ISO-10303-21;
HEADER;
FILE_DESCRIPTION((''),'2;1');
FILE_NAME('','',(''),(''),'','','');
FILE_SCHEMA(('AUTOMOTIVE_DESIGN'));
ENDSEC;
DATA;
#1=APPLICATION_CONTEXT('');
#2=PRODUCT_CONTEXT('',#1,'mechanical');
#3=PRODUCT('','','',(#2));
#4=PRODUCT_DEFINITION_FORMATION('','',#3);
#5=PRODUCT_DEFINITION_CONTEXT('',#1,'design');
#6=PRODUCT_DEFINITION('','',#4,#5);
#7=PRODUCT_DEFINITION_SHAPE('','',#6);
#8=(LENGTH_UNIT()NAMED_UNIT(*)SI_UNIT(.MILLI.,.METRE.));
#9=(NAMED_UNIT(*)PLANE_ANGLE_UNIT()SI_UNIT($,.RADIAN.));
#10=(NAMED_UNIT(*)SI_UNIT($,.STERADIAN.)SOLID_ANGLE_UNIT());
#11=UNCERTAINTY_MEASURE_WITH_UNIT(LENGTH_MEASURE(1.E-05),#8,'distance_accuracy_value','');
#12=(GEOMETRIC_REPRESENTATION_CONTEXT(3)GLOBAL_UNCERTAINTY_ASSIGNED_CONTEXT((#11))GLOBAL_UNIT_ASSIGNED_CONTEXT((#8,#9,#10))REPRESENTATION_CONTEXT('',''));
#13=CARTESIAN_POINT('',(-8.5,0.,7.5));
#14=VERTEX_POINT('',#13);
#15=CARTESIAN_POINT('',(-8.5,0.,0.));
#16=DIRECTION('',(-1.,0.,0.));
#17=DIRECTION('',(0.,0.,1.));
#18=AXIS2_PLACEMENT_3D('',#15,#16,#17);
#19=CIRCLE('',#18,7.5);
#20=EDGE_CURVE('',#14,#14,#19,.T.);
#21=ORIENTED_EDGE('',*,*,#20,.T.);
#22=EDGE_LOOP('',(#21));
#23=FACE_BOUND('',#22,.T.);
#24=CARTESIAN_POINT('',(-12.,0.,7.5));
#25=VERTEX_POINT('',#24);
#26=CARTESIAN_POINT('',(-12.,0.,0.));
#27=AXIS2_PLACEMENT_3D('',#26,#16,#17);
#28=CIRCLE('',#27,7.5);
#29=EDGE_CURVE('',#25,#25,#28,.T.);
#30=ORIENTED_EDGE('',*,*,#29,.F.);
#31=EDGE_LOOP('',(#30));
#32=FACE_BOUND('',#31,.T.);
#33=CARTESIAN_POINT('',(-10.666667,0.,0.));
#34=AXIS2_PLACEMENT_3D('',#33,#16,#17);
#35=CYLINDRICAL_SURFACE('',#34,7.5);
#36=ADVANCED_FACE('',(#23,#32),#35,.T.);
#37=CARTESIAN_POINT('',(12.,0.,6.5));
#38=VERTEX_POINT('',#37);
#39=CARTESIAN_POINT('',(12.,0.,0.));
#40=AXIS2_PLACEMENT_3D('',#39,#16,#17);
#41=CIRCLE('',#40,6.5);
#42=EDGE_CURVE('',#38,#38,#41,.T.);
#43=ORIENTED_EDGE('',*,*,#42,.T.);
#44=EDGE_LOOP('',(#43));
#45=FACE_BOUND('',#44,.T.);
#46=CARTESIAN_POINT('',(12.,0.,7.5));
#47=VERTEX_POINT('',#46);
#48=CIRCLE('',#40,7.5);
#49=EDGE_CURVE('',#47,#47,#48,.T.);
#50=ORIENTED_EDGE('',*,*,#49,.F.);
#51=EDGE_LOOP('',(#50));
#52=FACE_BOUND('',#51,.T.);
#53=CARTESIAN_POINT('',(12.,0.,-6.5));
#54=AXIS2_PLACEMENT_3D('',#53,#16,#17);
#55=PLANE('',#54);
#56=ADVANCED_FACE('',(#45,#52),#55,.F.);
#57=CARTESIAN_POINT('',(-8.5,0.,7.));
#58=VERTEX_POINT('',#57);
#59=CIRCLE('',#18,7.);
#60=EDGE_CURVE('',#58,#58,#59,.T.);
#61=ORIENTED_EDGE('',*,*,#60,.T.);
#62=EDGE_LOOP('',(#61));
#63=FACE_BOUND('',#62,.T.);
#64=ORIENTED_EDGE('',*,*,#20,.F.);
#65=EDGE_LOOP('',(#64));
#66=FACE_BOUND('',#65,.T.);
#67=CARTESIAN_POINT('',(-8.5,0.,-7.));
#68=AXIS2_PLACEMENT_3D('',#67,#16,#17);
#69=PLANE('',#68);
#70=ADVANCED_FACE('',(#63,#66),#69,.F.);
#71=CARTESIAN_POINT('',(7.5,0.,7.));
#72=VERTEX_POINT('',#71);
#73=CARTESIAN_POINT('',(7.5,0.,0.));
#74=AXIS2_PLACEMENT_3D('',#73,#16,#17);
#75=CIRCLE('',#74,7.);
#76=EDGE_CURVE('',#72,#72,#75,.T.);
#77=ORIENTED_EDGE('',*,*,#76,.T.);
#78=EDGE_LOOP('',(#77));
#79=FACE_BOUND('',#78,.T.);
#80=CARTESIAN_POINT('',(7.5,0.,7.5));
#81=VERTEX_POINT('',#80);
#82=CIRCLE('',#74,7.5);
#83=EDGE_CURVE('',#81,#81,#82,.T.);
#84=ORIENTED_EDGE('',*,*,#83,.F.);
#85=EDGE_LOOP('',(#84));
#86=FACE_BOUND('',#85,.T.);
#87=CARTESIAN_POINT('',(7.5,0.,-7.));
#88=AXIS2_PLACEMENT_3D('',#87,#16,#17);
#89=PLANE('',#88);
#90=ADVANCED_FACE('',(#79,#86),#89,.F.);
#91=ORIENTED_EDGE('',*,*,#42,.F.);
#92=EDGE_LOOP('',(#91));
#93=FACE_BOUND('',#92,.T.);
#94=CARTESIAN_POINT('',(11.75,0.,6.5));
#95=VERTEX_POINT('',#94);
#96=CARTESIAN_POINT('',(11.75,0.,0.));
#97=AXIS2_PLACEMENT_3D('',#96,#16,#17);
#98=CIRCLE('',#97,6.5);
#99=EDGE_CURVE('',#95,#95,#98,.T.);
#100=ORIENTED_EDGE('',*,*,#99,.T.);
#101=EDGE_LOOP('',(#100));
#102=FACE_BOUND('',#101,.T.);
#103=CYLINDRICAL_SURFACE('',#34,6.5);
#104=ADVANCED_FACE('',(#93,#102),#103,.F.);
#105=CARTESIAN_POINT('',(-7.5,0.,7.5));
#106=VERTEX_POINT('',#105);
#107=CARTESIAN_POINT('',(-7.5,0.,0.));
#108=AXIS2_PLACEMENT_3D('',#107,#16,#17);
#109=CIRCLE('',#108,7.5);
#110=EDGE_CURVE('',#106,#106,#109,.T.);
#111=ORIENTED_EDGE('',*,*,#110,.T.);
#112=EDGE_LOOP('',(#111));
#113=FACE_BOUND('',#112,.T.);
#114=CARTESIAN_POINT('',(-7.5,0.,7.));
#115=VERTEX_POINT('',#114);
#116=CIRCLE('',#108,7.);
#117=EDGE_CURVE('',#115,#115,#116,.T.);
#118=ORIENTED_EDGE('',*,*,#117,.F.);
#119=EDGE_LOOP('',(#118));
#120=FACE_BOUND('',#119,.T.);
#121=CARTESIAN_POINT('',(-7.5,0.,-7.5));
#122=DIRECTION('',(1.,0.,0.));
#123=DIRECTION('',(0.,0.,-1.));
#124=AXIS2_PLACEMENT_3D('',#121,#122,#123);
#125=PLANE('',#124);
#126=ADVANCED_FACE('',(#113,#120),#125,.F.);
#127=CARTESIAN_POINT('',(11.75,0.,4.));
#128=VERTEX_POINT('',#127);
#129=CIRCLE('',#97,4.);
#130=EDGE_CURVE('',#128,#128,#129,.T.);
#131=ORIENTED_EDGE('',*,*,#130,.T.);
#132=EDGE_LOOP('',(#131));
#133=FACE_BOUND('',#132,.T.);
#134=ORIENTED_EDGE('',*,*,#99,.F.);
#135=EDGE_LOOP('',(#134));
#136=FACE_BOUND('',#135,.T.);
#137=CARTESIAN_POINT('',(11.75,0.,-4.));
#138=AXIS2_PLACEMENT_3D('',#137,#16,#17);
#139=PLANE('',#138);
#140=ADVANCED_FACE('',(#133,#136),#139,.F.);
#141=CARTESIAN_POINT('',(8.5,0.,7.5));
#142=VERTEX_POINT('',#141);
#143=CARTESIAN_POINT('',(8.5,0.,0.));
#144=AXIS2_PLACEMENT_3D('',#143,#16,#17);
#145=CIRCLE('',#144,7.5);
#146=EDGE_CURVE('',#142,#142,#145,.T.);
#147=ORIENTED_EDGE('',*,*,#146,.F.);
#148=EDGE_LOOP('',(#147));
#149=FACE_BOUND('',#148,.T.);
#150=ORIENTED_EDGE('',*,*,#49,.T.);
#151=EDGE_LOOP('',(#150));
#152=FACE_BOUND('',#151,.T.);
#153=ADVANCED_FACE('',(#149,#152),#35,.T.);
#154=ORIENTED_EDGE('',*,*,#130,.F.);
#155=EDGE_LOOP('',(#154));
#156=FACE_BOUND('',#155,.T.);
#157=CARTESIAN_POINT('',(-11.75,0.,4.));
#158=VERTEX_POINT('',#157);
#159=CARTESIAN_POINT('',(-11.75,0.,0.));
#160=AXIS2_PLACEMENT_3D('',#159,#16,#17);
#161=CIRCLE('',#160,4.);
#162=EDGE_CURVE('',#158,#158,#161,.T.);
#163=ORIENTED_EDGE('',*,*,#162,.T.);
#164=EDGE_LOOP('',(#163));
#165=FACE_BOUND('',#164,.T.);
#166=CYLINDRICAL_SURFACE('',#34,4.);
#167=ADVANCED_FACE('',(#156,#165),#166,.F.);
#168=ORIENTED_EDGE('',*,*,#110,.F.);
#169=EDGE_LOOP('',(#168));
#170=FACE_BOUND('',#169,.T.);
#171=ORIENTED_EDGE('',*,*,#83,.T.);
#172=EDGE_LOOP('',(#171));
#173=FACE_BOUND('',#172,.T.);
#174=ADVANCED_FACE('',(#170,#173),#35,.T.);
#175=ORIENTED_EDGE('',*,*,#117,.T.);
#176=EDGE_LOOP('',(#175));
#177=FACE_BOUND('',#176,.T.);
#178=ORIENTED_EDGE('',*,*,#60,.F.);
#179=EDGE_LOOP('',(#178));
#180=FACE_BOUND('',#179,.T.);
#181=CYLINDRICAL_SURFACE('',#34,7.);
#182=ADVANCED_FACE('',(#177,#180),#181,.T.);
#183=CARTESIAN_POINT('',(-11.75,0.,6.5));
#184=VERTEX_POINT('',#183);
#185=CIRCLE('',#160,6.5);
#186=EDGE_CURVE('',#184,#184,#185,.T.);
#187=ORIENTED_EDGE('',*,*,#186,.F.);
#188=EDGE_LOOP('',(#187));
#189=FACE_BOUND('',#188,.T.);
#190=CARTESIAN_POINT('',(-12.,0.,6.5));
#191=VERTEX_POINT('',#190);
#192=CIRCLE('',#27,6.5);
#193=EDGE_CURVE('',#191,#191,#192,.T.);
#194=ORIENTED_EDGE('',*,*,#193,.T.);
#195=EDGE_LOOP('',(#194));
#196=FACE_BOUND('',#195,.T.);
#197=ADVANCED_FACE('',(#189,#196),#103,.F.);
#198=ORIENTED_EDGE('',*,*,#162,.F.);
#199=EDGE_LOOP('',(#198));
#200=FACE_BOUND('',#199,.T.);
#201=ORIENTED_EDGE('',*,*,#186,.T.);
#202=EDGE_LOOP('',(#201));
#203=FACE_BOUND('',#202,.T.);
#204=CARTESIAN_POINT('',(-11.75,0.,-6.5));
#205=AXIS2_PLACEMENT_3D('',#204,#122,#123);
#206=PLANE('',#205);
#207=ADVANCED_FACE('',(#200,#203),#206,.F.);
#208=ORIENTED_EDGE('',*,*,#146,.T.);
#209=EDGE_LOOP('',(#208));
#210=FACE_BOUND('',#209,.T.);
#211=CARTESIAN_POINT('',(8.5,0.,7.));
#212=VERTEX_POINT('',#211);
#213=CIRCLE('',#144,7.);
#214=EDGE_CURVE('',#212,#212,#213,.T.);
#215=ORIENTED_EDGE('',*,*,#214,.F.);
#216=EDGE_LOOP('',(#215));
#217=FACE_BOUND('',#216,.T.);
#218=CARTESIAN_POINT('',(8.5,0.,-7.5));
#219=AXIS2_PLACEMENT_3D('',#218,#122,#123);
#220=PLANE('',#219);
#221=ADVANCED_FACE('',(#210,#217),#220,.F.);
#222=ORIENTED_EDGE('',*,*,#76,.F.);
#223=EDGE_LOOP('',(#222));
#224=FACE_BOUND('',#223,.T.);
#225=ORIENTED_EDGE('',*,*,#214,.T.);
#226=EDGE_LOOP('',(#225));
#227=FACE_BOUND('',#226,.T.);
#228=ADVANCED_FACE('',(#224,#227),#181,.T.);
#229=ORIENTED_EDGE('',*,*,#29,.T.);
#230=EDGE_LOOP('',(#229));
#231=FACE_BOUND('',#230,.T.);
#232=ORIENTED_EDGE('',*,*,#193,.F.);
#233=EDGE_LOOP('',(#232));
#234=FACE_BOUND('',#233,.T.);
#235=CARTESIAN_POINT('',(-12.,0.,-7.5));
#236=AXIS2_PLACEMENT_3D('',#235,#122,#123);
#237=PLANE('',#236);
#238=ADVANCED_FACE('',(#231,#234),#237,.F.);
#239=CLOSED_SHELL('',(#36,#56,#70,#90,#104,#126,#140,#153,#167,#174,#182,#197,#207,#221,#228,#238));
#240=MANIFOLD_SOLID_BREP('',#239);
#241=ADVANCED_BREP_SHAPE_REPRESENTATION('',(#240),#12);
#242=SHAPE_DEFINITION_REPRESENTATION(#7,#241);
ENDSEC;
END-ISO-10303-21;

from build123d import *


with BuildPart() as part:
    # Sketch1 → Revolve1 (revolve)
    with BuildSketch(Plane(origin=(0, 0, 0), x_dir=(1, 0, 0), z_dir=(0, 1, 0))):
        Polygon((-11.75, 4), (11.75, 4), (11.75, 6.5), (12, 6.5), (12, 7.5), (8.5, 7.5), (8.5, 7), (7.5, 7), (7.5, 7.5), (-7.5, 7.5), (-7.5, 7), (-8.5, 7), (-8.5, 7.5), (-12, 7.5), (-12, 6.5), (-11.75, 6.5), align=None)
    revolve(axis=Axis((-10.666666667, 0, 0), (1, 0, 0)))


solid = part.part
